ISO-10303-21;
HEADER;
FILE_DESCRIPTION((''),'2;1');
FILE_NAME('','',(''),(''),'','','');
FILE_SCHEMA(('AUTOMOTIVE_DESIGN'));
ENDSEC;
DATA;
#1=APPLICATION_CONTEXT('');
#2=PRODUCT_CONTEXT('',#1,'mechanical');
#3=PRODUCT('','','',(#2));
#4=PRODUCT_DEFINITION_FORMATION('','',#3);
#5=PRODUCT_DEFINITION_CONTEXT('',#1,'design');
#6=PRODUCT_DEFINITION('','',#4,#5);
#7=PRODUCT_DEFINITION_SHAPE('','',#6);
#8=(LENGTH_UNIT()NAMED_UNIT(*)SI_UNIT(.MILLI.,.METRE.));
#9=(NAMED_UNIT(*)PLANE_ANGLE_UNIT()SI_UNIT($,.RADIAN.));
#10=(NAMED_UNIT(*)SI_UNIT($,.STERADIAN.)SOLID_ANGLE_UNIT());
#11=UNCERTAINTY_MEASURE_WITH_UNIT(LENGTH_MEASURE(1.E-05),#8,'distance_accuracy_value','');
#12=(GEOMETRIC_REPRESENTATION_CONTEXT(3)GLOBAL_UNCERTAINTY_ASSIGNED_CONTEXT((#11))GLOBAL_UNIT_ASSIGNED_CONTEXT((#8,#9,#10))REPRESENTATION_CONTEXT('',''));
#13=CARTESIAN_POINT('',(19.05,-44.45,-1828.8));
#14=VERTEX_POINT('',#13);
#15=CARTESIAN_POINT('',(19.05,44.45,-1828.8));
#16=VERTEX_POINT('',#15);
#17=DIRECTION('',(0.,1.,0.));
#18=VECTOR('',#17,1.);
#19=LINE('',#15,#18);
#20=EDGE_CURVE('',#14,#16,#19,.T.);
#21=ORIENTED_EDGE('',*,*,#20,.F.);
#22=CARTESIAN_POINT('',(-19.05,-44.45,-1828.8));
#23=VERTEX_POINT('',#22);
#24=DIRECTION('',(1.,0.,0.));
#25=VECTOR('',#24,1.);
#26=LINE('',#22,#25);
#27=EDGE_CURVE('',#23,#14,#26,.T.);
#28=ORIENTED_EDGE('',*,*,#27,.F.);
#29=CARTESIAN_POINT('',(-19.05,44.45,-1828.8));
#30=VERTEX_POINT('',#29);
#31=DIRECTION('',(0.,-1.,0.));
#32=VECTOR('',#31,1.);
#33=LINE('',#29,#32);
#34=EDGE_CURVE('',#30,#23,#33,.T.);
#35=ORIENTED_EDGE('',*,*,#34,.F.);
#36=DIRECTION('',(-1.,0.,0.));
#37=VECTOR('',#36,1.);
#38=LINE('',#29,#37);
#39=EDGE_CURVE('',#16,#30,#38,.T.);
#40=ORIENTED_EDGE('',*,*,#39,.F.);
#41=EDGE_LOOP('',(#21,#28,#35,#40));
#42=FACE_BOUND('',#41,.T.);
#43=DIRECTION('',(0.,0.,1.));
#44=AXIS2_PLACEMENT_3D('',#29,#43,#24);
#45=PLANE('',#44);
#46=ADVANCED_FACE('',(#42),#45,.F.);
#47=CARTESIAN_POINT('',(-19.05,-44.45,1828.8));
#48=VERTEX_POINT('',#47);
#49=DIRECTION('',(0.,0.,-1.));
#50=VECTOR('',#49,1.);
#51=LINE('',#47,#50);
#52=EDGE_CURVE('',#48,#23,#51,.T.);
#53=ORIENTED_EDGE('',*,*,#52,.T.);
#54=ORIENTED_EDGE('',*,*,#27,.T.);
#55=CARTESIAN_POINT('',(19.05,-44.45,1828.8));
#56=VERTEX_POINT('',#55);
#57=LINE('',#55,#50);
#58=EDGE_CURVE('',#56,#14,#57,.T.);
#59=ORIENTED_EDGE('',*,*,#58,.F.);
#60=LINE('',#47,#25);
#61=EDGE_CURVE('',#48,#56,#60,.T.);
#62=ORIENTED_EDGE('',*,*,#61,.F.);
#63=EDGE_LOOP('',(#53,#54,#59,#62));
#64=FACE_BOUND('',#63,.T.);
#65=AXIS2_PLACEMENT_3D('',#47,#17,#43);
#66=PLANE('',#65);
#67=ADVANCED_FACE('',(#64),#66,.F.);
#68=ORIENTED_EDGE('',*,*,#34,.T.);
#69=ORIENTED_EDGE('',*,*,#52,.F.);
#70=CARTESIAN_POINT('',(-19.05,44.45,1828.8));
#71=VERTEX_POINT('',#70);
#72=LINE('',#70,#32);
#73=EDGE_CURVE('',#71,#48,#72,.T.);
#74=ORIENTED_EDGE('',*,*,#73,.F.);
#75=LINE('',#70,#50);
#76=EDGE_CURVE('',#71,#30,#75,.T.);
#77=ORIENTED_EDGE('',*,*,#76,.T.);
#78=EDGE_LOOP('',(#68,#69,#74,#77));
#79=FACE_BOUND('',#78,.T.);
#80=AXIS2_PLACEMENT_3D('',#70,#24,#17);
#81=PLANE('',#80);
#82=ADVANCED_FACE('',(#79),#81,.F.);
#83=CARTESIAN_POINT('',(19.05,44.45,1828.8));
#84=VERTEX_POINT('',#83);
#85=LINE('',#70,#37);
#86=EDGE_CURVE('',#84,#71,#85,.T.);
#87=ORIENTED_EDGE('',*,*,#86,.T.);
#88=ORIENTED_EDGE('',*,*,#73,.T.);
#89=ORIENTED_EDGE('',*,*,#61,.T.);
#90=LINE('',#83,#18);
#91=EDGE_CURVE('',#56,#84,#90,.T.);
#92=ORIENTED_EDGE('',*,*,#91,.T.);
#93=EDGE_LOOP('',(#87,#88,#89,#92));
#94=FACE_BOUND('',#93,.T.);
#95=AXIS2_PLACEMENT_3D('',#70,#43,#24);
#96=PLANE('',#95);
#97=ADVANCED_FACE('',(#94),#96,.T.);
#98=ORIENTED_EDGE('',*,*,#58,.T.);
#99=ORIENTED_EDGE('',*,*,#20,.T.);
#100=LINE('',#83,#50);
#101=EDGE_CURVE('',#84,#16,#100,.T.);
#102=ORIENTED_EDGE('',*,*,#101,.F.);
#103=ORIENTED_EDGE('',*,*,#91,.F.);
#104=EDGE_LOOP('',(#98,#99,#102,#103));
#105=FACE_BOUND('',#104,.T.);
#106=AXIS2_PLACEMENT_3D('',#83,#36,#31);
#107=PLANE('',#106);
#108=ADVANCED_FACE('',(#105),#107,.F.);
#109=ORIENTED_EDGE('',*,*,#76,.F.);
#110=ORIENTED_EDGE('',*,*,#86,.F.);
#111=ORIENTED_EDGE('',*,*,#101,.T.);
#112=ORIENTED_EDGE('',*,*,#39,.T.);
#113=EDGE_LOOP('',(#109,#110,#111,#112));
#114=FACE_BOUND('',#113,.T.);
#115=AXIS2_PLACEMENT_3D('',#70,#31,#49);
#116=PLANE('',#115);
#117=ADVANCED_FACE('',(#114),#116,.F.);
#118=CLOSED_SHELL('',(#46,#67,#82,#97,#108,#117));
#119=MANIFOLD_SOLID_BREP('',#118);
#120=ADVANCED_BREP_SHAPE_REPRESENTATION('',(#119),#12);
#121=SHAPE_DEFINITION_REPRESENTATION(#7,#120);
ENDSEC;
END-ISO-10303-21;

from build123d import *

# Parameters (mm, degrees)
SKETCH1_W      = 38.1
SKETCH1_H      = 88.9
EXTRUDE1_DEPTH = 1828.8


with BuildPart() as part:
    # Sketch1 → Extrude1 (new, symmetric)
    with BuildSketch(Plane.XY):
        Rectangle(SKETCH1_W, SKETCH1_H)
    extrude(amount=EXTRUDE1_DEPTH, both=True)


solid = part.part
